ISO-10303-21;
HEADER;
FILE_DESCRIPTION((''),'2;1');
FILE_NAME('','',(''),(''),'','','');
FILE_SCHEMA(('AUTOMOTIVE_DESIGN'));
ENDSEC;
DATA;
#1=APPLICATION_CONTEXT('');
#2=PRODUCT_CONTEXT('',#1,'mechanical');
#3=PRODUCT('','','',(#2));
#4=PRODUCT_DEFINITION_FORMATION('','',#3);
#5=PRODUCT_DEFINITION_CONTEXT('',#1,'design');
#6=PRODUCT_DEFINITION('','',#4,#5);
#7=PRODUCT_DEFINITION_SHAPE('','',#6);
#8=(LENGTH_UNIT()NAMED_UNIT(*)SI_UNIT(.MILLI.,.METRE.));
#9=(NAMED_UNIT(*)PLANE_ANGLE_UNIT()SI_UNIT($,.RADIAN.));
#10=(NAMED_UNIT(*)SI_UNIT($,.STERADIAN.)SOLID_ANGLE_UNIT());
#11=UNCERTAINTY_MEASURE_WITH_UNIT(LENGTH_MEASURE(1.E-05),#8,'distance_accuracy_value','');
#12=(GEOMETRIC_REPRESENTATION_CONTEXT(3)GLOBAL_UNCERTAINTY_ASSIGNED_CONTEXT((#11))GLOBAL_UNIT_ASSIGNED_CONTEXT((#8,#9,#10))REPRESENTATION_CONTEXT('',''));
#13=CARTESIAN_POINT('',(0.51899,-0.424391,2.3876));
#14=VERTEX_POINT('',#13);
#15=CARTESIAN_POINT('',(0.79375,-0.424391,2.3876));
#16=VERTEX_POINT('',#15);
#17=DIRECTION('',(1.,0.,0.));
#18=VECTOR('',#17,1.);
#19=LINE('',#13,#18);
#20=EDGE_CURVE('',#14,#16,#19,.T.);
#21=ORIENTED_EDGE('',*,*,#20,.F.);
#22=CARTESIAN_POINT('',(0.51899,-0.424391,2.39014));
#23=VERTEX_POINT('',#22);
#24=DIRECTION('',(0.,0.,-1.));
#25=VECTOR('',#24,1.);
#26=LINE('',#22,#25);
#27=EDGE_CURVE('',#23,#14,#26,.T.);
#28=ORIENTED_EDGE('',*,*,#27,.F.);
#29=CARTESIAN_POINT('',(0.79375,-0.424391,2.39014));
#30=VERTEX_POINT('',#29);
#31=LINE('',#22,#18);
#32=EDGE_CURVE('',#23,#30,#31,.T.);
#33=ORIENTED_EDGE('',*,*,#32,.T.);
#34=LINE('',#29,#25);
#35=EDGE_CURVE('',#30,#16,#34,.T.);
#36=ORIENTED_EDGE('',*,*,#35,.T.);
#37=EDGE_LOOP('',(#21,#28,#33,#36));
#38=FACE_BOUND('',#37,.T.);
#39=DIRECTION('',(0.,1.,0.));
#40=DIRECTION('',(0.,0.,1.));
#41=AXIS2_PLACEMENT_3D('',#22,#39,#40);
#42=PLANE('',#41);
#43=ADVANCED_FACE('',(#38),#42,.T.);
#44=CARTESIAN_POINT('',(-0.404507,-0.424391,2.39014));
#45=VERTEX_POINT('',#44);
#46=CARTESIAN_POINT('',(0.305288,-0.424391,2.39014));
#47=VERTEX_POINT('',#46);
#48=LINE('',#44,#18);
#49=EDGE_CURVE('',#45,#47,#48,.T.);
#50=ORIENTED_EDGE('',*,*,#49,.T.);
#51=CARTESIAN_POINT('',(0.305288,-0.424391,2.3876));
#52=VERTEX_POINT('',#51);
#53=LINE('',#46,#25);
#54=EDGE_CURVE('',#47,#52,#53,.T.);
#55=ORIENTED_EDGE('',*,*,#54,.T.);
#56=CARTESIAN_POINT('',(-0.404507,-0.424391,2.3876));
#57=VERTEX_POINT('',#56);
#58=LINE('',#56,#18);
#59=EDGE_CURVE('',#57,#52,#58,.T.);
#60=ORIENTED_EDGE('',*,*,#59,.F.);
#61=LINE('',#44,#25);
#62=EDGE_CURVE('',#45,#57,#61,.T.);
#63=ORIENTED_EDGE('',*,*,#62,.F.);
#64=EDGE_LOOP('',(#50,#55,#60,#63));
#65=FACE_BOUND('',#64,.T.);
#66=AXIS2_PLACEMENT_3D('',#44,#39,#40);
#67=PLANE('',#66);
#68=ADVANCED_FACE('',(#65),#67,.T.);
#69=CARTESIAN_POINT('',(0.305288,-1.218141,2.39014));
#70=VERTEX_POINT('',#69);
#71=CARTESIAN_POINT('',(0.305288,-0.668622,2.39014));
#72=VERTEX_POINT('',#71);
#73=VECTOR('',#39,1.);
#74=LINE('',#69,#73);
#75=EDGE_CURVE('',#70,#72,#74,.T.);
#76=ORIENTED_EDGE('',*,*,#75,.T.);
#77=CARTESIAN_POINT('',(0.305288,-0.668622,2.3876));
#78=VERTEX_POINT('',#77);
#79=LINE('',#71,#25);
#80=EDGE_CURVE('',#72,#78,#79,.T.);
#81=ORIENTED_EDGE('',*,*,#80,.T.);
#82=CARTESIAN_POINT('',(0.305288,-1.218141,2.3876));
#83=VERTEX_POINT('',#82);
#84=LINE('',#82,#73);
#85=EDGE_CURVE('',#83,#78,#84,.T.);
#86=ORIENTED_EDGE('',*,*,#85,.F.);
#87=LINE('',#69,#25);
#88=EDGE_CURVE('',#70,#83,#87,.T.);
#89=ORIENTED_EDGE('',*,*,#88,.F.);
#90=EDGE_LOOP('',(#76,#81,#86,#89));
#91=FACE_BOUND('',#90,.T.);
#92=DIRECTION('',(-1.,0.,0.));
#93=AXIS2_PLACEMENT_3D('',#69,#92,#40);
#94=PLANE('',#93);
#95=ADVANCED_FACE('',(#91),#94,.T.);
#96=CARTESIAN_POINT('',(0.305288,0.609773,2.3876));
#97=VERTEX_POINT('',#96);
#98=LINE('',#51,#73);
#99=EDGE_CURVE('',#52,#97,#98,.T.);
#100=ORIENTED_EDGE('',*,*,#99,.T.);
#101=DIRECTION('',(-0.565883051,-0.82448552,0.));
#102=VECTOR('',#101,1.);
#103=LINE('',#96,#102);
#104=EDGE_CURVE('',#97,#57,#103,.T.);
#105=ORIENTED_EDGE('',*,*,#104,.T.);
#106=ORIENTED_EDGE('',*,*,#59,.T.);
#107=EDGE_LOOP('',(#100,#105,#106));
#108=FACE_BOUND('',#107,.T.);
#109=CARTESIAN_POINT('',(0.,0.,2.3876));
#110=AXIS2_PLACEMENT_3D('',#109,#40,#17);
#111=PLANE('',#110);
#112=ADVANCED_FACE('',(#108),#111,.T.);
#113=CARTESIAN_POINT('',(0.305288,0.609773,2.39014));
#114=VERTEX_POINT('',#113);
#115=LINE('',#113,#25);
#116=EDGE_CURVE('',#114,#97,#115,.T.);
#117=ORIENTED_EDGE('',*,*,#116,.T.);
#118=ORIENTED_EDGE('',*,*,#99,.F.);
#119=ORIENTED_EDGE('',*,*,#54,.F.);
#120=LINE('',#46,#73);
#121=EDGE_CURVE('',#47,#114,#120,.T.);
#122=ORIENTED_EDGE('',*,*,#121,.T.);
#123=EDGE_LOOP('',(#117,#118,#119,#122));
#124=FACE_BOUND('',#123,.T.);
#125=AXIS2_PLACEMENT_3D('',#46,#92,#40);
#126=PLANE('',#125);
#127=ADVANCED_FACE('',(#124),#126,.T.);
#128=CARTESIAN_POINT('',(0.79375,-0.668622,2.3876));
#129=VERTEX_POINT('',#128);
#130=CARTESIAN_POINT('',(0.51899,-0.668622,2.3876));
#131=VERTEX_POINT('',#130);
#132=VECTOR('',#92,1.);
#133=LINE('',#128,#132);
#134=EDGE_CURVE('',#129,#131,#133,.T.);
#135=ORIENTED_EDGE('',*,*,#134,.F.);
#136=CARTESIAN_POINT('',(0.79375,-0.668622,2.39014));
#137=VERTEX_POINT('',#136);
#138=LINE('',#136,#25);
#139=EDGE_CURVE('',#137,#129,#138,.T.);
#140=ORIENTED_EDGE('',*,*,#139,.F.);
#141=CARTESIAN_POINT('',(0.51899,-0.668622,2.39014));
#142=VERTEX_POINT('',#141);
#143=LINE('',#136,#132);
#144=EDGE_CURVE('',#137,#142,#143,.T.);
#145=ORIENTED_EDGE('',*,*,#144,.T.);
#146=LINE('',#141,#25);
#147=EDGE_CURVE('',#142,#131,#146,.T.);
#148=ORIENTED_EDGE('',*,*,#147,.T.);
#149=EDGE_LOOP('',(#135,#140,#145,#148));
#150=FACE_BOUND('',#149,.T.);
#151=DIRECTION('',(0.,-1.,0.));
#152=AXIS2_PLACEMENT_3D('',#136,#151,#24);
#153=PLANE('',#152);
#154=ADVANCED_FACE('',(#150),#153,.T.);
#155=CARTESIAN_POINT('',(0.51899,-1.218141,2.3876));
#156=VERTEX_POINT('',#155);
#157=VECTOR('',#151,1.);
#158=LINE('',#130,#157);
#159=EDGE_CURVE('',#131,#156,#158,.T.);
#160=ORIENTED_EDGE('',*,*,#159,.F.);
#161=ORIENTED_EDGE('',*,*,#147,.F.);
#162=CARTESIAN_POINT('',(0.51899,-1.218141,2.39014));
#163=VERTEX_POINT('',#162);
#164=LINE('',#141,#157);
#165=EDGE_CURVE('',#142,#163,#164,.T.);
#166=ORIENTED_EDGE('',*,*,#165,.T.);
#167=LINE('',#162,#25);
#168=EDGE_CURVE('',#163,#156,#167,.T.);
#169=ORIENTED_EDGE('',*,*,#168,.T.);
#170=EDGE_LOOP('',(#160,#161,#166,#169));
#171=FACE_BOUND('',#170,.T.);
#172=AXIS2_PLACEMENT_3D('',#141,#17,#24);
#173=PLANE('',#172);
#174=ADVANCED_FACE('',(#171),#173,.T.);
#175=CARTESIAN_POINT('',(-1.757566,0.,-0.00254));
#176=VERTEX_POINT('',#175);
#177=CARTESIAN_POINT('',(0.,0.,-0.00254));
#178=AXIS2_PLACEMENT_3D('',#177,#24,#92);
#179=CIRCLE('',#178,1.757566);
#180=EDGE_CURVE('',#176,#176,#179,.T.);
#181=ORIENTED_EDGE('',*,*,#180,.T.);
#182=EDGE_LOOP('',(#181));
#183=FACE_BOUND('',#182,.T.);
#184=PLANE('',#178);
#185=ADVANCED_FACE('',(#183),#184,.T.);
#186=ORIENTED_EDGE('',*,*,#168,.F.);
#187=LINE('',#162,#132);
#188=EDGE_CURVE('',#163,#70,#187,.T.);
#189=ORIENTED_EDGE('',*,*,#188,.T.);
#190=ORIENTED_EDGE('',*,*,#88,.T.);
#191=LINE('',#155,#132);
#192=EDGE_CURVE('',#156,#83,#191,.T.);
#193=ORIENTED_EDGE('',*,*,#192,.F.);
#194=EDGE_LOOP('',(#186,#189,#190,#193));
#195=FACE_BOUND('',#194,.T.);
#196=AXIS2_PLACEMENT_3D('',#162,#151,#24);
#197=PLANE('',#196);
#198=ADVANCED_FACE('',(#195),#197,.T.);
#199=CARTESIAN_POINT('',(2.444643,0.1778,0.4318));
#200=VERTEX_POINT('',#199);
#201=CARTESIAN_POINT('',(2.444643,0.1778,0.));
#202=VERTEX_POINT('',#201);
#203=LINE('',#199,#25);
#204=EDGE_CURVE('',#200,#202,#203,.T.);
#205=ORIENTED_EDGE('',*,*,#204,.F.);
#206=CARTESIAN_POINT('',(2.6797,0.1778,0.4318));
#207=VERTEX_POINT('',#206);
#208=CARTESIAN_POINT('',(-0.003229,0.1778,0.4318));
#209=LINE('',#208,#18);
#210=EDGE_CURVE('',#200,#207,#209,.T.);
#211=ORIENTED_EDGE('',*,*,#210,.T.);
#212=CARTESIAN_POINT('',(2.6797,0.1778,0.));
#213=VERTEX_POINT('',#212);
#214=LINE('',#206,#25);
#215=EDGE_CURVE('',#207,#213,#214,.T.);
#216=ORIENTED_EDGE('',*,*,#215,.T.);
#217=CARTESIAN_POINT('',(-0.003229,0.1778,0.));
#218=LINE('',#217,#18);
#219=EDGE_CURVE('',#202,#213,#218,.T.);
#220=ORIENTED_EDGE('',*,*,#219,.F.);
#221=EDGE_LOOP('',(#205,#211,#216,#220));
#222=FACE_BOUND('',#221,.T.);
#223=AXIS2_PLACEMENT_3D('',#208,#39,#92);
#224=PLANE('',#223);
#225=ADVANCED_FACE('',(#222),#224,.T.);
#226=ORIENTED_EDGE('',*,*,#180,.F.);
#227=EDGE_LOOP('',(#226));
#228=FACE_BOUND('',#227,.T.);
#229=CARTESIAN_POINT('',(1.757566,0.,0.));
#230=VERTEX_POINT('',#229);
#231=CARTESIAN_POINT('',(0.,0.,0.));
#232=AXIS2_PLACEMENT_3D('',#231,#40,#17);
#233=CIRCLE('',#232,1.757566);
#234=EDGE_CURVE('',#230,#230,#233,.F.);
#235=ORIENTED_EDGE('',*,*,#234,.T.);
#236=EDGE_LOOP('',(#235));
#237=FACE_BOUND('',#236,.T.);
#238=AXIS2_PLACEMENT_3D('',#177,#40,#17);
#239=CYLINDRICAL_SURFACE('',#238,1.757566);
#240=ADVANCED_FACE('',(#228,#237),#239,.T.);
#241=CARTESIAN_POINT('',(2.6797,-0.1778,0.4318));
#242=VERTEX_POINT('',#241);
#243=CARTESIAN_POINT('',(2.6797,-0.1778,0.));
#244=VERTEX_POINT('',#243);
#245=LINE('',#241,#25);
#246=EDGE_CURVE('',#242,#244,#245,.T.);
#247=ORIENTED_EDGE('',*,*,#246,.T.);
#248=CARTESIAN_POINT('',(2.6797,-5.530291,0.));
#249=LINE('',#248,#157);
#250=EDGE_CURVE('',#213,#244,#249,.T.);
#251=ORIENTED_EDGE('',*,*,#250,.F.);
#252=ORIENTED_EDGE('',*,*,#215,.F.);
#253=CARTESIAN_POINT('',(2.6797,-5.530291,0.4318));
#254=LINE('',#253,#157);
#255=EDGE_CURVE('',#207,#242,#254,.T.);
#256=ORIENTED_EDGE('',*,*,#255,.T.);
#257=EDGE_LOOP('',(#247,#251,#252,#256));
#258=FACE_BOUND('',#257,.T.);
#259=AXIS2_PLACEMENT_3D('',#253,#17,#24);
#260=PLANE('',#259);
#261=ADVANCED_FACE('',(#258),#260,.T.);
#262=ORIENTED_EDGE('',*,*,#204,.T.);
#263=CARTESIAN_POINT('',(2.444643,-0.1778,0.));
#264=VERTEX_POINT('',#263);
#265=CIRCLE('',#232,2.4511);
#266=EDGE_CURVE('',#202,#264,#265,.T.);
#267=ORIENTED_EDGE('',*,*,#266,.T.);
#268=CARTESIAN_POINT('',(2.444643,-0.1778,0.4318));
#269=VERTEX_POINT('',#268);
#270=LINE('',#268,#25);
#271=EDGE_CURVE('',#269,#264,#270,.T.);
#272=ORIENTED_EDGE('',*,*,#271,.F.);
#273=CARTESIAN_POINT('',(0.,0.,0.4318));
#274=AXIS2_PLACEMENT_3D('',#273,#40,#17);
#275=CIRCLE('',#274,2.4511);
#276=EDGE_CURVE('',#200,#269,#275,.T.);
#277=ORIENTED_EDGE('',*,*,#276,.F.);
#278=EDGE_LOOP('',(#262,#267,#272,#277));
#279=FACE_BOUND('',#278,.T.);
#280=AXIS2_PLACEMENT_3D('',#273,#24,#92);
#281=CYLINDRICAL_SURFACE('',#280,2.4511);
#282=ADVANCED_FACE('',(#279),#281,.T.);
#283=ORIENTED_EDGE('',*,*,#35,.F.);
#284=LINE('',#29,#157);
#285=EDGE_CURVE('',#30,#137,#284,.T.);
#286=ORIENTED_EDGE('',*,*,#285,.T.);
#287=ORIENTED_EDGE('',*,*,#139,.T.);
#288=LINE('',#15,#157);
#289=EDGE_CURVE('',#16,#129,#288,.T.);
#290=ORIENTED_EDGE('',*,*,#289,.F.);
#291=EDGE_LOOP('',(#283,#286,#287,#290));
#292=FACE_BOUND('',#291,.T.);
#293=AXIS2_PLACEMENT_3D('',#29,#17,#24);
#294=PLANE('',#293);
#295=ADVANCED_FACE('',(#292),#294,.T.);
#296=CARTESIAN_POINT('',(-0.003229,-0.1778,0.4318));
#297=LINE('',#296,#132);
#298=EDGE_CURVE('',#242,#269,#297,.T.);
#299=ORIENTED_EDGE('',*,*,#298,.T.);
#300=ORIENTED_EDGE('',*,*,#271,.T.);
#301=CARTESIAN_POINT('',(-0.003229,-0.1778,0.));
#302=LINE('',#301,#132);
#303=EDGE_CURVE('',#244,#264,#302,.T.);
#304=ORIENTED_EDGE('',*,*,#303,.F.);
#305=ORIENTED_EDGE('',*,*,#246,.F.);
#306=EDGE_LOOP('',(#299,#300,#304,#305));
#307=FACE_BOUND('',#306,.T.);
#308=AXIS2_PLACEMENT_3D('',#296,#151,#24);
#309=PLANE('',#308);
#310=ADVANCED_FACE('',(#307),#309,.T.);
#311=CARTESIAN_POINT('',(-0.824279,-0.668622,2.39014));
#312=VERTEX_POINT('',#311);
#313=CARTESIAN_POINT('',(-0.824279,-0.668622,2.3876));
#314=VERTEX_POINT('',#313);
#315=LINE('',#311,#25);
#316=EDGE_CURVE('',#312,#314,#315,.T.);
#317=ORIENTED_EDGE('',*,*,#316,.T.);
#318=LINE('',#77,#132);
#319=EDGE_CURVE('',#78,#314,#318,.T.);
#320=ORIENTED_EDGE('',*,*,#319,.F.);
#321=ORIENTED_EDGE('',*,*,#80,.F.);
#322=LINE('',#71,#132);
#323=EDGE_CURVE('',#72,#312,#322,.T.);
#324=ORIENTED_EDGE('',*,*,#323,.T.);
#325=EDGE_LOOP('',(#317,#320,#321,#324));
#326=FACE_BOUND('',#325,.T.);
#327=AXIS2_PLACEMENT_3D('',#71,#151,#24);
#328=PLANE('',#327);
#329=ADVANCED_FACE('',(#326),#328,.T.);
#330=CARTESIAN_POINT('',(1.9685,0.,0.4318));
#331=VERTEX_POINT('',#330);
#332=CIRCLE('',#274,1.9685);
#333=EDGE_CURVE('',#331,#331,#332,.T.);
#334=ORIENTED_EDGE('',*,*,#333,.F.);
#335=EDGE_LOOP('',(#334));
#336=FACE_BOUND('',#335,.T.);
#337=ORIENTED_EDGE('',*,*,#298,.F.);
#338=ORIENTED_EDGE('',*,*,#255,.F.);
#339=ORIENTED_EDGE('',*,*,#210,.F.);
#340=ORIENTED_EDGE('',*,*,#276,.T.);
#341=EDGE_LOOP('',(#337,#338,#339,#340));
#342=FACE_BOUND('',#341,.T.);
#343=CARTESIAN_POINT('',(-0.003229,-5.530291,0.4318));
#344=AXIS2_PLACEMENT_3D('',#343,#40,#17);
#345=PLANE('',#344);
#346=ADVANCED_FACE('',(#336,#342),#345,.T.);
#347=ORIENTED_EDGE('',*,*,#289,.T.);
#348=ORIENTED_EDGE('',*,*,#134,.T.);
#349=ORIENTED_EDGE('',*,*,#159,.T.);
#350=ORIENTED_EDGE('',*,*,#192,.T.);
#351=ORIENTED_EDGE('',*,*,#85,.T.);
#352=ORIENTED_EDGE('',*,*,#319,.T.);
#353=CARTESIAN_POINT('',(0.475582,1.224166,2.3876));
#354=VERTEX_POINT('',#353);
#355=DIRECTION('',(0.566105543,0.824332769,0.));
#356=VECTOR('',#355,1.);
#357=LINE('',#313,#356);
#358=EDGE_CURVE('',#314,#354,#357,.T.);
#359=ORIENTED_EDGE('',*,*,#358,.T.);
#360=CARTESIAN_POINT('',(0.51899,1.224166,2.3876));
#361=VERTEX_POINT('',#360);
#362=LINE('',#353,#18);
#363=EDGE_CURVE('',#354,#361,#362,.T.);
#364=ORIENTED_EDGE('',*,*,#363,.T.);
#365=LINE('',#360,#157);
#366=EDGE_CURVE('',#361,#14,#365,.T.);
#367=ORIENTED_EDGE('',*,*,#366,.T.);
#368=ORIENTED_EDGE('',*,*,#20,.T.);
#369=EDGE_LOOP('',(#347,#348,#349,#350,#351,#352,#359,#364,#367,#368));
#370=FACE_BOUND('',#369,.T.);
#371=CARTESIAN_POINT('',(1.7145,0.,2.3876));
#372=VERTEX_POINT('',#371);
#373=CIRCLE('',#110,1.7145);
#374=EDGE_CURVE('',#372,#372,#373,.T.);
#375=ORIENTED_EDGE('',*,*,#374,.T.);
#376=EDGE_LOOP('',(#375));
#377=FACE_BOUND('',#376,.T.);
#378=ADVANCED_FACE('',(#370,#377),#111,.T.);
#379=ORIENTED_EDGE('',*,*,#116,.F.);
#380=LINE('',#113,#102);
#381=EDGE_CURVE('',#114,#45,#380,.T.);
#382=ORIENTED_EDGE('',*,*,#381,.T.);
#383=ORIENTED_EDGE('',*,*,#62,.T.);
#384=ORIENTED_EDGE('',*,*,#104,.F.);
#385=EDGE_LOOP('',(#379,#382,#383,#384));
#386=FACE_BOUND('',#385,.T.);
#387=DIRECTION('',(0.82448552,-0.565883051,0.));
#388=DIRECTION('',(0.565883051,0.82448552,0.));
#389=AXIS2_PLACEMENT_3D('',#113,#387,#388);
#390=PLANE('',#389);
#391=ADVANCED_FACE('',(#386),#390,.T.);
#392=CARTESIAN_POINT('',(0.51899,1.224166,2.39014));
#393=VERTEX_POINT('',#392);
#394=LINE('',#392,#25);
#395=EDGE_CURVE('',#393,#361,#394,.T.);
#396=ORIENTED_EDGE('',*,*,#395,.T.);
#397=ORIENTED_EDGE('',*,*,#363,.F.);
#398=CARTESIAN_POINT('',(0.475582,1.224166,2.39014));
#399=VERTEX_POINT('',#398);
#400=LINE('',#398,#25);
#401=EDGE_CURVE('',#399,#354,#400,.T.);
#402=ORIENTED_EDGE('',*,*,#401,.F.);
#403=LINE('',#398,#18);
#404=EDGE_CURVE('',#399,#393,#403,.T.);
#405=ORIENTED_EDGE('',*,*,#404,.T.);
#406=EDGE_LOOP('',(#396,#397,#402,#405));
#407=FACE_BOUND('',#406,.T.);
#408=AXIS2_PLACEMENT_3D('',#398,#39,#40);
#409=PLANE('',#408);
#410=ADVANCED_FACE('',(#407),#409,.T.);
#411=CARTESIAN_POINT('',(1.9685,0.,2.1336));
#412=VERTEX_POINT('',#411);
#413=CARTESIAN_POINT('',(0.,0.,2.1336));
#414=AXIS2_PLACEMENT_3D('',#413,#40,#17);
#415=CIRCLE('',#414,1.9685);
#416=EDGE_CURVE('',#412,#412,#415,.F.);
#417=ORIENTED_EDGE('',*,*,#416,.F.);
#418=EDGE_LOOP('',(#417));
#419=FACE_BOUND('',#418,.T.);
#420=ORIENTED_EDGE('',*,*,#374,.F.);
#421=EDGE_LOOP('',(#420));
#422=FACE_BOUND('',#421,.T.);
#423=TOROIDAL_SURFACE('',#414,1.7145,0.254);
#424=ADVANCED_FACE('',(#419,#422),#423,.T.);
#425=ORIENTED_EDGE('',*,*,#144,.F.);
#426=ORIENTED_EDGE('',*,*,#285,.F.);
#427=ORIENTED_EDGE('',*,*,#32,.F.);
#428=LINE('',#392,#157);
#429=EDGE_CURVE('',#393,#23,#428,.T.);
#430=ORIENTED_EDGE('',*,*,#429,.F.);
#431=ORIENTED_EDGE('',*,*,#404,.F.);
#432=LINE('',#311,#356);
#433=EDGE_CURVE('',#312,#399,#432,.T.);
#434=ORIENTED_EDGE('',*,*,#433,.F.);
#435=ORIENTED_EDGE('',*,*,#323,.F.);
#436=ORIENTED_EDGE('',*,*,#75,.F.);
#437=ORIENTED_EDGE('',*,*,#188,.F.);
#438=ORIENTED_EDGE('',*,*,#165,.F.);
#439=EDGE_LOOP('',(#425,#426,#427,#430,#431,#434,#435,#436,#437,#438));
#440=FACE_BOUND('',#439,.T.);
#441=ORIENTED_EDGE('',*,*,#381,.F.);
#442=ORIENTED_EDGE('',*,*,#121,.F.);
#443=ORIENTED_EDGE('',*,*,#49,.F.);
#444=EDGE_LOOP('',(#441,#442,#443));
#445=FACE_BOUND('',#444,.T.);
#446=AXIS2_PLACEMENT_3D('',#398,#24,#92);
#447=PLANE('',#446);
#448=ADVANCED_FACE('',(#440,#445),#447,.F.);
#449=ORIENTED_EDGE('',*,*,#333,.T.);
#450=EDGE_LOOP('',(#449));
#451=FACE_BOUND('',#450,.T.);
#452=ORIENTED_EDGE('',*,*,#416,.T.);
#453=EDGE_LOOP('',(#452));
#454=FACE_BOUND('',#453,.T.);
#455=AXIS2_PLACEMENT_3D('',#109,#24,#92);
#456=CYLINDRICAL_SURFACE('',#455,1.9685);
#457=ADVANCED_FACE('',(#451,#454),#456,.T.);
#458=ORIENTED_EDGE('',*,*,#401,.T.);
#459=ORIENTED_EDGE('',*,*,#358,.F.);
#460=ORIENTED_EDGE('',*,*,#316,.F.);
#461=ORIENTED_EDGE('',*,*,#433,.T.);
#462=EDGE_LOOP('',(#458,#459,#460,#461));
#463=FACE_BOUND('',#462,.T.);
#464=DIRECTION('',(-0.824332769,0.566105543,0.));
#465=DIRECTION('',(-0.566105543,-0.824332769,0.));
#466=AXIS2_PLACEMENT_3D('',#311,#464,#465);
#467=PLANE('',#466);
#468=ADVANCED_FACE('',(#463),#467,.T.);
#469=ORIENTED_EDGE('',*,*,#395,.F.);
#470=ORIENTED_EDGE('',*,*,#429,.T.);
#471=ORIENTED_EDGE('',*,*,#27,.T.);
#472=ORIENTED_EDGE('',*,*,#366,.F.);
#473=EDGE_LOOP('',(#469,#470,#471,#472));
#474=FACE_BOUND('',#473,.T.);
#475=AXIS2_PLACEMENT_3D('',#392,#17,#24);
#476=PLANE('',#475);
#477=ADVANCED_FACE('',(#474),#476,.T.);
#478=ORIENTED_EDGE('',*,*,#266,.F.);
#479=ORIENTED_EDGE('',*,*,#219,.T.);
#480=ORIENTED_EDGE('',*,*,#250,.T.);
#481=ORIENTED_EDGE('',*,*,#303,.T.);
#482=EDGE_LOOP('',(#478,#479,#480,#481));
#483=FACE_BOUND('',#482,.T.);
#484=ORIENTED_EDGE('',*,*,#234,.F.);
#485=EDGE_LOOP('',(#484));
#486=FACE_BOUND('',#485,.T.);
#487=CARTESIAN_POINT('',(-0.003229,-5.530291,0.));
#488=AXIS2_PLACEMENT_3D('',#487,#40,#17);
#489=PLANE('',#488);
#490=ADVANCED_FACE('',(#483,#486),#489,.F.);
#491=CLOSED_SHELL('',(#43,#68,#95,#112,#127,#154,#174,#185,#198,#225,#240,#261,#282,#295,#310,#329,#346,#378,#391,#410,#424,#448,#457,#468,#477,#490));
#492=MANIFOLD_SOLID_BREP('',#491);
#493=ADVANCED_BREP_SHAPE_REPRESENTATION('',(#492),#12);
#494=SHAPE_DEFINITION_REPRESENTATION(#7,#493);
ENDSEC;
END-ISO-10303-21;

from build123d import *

# Parameters (mm, degrees)
BOSS_EXTRUDE1_DEPTH = 0.4318
SKETCH2_R           = 1.9685
BOSS_EXTRUDE2_DEPTH = 1.9558
SKETCH3_R           = 1.757566481
BOSS_EXTRUDE3_DEPTH = 0.00254
FILLET1_R           = 0.254
BOSS_EXTRUDE6_DEPTH = 0.00254


with BuildPart() as part:
    # Sketch1 → Boss-Extrude1 (new body)
    with BuildSketch(Plane.XY):
        with BuildLine():
            Line((2.6797, 0.1778), (2.4511, 0.1778))
            Line((2.4511, 0.1778), (2.44464279, 0.1778))
            ThreePointArc((2.44464279, 0.1778), (-2.4511, 0), (2.44464279, -0.1778))
            Line((2.44464279, -0.1778), (2.4511, -0.1778))
            Line((2.4511, -0.1778), (2.6797, -0.1778))
            Line((2.6797, -0.1778), (2.6797, 0.1778))
        make_face()
    extrude(amount=BOSS_EXTRUDE1_DEPTH)

    # Sketch2 → Boss-Extrude2 (add)
    with BuildSketch(Plane.XY.offset(0.4318)):
        Circle(SKETCH2_R)
    extrude(amount=BOSS_EXTRUDE2_DEPTH)

    # Sketch3 → Boss-Extrude3 (add)
    with BuildSketch(Plane(origin=(0, 0, 0), x_dir=(-1, 0, 0), z_dir=(0, 0, -1))):
        Circle(SKETCH3_R)
    extrude(amount=BOSS_EXTRUDE3_DEPTH)

    # Fillet1
    fillet1_edges = [part.edges().sort_by_distance(p)[0] for p in [
        (-1.9685, 0, 2.3876),
    ]]
    fillet(fillet1_edges, radius=FILLET1_R)

    # Sketch4 → Boss-Extrude6 (add)
    with BuildSketch(Plane.XY.offset(2.3876)):
        Polygon((0.475582181, 1.224166485), (0.518990385, 1.224166485), (0.518990385, -0.424391207), (0.79375, -0.424391207), (0.79375, -0.668621976), (0.518990385, -0.668621976), (0.518990385, -1.218141207), (0.305288462, -1.218141207), (0.305288462, -0.668621976), (-0.824278846, -0.668621976), align=None)
        Polygon((0.305288462, -0.424391207), (0.305288462, 0.609773457), (-0.404507212, -0.424391207), align=None, mode=Mode.SUBTRACT)
    extrude(amount=BOSS_EXTRUDE6_DEPTH)


solid = part.part
